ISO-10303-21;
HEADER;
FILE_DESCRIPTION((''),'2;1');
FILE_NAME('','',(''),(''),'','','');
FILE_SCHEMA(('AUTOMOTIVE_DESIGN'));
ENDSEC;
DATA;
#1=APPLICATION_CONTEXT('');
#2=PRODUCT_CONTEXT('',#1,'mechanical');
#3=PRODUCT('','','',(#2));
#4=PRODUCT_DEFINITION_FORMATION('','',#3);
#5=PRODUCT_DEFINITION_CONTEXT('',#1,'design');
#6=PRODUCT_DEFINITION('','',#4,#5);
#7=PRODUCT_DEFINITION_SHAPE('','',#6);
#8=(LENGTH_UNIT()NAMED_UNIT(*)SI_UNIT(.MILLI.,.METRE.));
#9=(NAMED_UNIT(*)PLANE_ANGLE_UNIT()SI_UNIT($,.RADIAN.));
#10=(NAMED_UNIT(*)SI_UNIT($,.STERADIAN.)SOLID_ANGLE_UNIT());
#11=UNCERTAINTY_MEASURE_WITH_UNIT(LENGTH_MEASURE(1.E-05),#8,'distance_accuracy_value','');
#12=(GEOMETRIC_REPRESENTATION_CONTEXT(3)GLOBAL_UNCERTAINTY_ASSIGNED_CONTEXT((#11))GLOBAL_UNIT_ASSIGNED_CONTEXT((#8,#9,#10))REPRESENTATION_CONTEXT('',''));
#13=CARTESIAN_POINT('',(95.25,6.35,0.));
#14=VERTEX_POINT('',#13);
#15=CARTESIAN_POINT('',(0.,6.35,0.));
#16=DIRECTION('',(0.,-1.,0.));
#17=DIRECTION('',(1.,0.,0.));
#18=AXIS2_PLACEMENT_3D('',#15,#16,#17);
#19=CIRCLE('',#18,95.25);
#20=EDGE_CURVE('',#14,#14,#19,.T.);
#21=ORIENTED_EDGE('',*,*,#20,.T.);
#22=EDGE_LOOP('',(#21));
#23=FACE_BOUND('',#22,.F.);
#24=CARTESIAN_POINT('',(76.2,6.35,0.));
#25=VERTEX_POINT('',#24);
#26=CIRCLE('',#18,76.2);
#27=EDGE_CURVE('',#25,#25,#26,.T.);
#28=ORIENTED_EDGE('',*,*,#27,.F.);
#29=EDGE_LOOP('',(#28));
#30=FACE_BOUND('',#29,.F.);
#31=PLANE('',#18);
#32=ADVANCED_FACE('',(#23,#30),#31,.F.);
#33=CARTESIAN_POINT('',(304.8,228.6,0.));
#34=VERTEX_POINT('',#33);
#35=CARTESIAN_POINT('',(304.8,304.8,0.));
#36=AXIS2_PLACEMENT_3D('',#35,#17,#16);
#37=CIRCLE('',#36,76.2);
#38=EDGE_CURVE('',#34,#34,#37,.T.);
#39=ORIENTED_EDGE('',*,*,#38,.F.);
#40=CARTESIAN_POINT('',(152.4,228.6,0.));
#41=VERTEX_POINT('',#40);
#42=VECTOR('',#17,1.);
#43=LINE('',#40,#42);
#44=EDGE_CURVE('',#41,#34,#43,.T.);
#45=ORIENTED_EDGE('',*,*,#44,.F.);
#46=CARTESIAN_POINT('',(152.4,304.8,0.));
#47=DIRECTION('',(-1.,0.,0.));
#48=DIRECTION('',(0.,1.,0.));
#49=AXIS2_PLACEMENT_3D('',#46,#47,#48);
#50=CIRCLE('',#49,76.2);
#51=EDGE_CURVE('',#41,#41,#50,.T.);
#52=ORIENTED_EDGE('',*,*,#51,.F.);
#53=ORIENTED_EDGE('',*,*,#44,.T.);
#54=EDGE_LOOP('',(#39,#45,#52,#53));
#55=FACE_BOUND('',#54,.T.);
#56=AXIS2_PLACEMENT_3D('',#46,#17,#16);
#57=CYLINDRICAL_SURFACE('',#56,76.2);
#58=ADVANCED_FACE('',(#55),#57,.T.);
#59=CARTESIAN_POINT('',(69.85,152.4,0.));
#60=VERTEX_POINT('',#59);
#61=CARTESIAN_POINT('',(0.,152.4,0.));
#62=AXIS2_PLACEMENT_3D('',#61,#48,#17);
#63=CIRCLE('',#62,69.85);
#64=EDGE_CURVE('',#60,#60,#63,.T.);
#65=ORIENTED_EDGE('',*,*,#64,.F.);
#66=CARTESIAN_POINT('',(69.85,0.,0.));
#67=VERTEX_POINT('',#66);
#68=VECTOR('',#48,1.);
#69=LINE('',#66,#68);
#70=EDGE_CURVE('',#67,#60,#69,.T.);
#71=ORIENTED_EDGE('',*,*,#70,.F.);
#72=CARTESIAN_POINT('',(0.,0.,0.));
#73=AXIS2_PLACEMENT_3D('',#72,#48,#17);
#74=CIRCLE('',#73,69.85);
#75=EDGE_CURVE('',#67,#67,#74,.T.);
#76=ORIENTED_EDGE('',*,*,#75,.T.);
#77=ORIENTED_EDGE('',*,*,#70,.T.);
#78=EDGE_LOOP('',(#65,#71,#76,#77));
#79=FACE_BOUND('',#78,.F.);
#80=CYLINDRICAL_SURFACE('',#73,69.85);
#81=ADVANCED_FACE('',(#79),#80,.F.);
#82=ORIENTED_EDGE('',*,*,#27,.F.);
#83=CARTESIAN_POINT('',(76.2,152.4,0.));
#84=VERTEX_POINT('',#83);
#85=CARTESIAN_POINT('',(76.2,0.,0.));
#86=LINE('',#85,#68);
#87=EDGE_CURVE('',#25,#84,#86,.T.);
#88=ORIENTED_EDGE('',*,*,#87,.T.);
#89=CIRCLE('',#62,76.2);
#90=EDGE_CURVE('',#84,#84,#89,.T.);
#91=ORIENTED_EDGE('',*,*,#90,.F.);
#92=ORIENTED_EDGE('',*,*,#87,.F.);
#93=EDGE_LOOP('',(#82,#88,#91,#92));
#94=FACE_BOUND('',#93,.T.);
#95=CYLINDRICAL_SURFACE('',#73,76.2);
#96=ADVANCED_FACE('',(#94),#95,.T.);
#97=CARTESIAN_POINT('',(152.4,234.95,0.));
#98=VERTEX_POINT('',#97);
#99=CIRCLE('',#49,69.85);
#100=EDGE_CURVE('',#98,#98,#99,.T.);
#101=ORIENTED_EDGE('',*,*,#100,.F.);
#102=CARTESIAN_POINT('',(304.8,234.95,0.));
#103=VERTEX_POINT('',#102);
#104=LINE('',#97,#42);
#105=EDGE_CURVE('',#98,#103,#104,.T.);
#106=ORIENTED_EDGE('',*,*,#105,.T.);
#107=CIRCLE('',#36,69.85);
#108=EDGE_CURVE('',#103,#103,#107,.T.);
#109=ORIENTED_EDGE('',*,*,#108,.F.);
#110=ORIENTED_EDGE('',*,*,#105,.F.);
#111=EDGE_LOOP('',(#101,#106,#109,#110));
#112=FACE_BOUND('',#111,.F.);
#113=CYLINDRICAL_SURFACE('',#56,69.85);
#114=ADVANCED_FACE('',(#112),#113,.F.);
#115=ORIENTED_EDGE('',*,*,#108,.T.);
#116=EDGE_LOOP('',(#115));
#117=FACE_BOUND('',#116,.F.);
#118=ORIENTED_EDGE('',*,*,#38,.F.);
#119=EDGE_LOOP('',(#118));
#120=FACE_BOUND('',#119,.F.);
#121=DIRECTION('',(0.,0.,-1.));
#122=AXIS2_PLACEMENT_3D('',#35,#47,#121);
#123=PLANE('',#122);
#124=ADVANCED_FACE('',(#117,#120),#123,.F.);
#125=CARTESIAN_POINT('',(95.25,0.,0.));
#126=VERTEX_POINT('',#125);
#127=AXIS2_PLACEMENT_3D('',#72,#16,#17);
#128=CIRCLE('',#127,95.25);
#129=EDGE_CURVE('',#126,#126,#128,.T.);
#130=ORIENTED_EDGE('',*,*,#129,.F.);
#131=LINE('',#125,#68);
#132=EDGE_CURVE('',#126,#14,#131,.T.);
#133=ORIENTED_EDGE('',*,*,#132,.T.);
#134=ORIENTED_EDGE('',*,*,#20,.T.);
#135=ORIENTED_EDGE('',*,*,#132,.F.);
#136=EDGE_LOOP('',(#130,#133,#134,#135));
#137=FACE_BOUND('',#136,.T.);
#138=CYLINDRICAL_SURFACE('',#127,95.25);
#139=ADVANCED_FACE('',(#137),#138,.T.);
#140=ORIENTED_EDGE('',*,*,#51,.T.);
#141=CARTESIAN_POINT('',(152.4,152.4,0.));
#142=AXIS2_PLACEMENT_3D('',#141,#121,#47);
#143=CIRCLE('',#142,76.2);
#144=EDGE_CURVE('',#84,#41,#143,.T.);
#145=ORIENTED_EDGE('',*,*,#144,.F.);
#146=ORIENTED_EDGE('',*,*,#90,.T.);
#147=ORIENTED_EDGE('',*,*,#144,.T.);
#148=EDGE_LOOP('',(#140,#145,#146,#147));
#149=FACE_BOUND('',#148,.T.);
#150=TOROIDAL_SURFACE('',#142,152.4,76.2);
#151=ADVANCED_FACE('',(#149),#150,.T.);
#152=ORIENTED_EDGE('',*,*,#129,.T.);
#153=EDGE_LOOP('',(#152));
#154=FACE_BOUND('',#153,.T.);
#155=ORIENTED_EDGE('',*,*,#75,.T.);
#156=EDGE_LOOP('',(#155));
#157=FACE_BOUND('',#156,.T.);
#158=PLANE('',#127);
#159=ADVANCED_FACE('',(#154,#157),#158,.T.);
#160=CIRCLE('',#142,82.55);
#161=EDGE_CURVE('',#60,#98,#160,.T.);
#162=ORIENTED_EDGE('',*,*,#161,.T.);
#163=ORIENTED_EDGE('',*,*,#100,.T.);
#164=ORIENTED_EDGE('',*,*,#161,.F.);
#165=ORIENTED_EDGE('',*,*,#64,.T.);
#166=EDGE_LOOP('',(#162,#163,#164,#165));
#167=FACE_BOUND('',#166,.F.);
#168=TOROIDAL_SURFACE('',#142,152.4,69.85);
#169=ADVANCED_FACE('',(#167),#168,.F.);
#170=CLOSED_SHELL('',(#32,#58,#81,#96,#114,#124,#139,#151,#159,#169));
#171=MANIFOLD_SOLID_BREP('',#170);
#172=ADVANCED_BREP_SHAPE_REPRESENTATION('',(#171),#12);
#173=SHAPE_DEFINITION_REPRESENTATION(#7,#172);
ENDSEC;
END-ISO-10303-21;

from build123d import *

# Parameters (mm, degrees)
F0_R     = 76.2
F3_T     = -6.35
F0_R_2   = 95.25
F4_DEPTH = 6.35


with BuildPart() as f2:
    # F2: sweep along a path in F1
    with BuildLine(Plane.XY) as f2_path:
        Line((0, 0), (0, 152.4))
        ThreePointArc((0, 152.4), (44.6369265472, 260.1630734528), (152.4, 304.8))
        Line((152.4, 304.8), (304.8, 304.8))
    # F0 (on Front) → F2 (sweep)
    with BuildSketch(Plane.XZ):
        Circle(F0_R)
    sweep(path=f2_path.line)

    # F3
    f3_openings = [f2.faces().sort_by_distance(p)[0] for p in [
        (0, 0, 0),
        (304.8, 304.8, 0),
    ]]
    offset(amount=F3_T, openings=f3_openings)

    # F0 (on Front) → F4 (join)
    with BuildSketch(Plane.XZ):
        Circle(F0_R_2)
        Circle(F0_R, mode=Mode.SUBTRACT)
    extrude(amount=-F4_DEPTH)


solid = f2.part
